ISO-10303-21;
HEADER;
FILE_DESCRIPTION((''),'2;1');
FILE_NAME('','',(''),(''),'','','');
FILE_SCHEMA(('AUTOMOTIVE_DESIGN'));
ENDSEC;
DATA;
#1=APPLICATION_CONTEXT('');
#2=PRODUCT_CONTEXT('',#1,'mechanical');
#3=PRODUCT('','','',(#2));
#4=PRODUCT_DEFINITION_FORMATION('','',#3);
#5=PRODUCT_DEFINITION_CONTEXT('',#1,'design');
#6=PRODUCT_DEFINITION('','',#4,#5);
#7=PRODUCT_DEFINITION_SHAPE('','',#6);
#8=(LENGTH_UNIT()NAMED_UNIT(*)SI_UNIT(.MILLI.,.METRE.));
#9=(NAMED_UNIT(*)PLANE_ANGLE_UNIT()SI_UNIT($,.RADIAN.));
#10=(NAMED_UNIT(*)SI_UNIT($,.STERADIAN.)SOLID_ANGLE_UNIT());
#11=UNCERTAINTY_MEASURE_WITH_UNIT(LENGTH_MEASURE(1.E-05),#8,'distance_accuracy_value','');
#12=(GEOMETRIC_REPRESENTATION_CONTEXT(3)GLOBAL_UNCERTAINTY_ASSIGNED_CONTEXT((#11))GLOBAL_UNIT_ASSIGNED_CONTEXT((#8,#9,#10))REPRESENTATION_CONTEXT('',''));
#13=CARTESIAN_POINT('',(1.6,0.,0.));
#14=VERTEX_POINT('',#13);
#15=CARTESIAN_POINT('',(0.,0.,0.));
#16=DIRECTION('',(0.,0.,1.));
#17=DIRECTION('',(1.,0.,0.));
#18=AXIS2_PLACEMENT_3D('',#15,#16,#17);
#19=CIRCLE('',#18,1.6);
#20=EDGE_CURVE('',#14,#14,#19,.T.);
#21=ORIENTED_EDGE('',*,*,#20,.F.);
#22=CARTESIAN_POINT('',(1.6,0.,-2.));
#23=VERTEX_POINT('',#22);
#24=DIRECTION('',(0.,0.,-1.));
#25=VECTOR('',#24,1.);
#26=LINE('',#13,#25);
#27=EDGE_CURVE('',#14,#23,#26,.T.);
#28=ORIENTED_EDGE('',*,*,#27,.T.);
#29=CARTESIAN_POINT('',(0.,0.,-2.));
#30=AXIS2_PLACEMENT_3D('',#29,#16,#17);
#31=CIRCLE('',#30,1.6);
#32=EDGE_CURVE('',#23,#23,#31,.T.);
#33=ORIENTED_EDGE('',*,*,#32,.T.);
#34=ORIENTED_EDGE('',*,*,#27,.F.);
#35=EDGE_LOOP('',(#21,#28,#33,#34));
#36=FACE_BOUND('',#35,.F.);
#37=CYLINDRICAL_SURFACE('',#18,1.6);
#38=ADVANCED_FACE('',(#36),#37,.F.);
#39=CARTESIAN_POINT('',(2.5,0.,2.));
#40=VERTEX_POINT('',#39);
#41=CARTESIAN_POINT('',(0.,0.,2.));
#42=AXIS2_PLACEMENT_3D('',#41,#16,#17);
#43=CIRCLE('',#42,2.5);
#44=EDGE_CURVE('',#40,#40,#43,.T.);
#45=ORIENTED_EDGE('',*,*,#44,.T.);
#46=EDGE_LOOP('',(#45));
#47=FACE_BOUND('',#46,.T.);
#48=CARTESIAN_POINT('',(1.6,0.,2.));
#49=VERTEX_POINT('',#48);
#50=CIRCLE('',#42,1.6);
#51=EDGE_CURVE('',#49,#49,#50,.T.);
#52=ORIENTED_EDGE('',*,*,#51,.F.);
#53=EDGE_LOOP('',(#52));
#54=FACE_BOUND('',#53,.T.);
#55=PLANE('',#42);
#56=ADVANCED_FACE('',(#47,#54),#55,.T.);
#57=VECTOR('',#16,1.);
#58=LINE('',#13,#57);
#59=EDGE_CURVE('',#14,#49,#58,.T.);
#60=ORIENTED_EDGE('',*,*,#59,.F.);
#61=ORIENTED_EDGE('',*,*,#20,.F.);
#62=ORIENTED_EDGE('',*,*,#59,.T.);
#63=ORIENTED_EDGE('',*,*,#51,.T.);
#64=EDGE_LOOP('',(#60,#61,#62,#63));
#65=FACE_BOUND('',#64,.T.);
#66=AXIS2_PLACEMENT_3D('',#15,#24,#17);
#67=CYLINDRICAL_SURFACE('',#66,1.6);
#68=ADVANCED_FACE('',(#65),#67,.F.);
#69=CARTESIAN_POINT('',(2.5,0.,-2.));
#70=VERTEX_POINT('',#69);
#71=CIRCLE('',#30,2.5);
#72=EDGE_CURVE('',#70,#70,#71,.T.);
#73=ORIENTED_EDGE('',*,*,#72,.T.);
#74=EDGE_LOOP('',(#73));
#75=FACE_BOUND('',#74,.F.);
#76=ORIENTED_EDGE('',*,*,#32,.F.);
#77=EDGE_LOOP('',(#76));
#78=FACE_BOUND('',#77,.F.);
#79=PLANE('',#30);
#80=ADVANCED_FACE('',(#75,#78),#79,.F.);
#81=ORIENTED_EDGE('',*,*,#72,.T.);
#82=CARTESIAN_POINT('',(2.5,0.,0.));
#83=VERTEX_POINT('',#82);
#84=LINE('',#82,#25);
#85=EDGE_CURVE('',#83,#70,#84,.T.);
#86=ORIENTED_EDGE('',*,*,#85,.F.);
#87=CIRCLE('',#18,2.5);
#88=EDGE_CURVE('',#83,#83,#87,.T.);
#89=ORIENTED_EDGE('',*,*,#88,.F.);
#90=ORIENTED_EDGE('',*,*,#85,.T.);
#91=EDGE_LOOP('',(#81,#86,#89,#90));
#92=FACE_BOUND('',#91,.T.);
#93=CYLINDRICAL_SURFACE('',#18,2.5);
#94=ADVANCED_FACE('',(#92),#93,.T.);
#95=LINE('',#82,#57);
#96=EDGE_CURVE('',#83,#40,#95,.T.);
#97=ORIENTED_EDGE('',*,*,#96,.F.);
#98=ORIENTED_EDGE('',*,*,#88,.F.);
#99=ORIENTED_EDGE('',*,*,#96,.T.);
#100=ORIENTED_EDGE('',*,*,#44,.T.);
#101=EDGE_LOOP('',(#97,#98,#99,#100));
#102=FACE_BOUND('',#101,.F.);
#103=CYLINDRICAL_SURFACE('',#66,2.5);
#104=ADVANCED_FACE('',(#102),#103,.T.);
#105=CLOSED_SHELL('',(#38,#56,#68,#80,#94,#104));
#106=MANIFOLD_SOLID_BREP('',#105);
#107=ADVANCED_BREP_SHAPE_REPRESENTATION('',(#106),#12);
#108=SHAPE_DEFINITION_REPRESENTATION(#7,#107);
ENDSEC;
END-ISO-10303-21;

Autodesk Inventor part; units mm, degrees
ref_plane "YZ Plane" through (0, 0, 0) normal (1, 0, 0) x (0, 1, 0)
ref_plane "XZ Plane" through (0, 0, 0) normal (0, 1, 0) x (-1, 0, 0)
ref_plane "XY Plane" through (0, 0, 0) normal (0, 0, 1) x (1, 0, 0)
sketch "Skizze1" plane through (0, 0, 0) normal (0, 0, 1) x (1, 0, 0)
  circle A0 centre (0, 0) radius 1.6
  circle A1 centre (0, 0) radius 2.5
  dimension "d0" = 3.2
  dimension "d1" = 5
extrude "Extrusion1" add sketch "Skizze1" along normal mid plane 4
properties part number "Nylon Abstandshalter 4mm D3.2" material "Nylon 6/6"
